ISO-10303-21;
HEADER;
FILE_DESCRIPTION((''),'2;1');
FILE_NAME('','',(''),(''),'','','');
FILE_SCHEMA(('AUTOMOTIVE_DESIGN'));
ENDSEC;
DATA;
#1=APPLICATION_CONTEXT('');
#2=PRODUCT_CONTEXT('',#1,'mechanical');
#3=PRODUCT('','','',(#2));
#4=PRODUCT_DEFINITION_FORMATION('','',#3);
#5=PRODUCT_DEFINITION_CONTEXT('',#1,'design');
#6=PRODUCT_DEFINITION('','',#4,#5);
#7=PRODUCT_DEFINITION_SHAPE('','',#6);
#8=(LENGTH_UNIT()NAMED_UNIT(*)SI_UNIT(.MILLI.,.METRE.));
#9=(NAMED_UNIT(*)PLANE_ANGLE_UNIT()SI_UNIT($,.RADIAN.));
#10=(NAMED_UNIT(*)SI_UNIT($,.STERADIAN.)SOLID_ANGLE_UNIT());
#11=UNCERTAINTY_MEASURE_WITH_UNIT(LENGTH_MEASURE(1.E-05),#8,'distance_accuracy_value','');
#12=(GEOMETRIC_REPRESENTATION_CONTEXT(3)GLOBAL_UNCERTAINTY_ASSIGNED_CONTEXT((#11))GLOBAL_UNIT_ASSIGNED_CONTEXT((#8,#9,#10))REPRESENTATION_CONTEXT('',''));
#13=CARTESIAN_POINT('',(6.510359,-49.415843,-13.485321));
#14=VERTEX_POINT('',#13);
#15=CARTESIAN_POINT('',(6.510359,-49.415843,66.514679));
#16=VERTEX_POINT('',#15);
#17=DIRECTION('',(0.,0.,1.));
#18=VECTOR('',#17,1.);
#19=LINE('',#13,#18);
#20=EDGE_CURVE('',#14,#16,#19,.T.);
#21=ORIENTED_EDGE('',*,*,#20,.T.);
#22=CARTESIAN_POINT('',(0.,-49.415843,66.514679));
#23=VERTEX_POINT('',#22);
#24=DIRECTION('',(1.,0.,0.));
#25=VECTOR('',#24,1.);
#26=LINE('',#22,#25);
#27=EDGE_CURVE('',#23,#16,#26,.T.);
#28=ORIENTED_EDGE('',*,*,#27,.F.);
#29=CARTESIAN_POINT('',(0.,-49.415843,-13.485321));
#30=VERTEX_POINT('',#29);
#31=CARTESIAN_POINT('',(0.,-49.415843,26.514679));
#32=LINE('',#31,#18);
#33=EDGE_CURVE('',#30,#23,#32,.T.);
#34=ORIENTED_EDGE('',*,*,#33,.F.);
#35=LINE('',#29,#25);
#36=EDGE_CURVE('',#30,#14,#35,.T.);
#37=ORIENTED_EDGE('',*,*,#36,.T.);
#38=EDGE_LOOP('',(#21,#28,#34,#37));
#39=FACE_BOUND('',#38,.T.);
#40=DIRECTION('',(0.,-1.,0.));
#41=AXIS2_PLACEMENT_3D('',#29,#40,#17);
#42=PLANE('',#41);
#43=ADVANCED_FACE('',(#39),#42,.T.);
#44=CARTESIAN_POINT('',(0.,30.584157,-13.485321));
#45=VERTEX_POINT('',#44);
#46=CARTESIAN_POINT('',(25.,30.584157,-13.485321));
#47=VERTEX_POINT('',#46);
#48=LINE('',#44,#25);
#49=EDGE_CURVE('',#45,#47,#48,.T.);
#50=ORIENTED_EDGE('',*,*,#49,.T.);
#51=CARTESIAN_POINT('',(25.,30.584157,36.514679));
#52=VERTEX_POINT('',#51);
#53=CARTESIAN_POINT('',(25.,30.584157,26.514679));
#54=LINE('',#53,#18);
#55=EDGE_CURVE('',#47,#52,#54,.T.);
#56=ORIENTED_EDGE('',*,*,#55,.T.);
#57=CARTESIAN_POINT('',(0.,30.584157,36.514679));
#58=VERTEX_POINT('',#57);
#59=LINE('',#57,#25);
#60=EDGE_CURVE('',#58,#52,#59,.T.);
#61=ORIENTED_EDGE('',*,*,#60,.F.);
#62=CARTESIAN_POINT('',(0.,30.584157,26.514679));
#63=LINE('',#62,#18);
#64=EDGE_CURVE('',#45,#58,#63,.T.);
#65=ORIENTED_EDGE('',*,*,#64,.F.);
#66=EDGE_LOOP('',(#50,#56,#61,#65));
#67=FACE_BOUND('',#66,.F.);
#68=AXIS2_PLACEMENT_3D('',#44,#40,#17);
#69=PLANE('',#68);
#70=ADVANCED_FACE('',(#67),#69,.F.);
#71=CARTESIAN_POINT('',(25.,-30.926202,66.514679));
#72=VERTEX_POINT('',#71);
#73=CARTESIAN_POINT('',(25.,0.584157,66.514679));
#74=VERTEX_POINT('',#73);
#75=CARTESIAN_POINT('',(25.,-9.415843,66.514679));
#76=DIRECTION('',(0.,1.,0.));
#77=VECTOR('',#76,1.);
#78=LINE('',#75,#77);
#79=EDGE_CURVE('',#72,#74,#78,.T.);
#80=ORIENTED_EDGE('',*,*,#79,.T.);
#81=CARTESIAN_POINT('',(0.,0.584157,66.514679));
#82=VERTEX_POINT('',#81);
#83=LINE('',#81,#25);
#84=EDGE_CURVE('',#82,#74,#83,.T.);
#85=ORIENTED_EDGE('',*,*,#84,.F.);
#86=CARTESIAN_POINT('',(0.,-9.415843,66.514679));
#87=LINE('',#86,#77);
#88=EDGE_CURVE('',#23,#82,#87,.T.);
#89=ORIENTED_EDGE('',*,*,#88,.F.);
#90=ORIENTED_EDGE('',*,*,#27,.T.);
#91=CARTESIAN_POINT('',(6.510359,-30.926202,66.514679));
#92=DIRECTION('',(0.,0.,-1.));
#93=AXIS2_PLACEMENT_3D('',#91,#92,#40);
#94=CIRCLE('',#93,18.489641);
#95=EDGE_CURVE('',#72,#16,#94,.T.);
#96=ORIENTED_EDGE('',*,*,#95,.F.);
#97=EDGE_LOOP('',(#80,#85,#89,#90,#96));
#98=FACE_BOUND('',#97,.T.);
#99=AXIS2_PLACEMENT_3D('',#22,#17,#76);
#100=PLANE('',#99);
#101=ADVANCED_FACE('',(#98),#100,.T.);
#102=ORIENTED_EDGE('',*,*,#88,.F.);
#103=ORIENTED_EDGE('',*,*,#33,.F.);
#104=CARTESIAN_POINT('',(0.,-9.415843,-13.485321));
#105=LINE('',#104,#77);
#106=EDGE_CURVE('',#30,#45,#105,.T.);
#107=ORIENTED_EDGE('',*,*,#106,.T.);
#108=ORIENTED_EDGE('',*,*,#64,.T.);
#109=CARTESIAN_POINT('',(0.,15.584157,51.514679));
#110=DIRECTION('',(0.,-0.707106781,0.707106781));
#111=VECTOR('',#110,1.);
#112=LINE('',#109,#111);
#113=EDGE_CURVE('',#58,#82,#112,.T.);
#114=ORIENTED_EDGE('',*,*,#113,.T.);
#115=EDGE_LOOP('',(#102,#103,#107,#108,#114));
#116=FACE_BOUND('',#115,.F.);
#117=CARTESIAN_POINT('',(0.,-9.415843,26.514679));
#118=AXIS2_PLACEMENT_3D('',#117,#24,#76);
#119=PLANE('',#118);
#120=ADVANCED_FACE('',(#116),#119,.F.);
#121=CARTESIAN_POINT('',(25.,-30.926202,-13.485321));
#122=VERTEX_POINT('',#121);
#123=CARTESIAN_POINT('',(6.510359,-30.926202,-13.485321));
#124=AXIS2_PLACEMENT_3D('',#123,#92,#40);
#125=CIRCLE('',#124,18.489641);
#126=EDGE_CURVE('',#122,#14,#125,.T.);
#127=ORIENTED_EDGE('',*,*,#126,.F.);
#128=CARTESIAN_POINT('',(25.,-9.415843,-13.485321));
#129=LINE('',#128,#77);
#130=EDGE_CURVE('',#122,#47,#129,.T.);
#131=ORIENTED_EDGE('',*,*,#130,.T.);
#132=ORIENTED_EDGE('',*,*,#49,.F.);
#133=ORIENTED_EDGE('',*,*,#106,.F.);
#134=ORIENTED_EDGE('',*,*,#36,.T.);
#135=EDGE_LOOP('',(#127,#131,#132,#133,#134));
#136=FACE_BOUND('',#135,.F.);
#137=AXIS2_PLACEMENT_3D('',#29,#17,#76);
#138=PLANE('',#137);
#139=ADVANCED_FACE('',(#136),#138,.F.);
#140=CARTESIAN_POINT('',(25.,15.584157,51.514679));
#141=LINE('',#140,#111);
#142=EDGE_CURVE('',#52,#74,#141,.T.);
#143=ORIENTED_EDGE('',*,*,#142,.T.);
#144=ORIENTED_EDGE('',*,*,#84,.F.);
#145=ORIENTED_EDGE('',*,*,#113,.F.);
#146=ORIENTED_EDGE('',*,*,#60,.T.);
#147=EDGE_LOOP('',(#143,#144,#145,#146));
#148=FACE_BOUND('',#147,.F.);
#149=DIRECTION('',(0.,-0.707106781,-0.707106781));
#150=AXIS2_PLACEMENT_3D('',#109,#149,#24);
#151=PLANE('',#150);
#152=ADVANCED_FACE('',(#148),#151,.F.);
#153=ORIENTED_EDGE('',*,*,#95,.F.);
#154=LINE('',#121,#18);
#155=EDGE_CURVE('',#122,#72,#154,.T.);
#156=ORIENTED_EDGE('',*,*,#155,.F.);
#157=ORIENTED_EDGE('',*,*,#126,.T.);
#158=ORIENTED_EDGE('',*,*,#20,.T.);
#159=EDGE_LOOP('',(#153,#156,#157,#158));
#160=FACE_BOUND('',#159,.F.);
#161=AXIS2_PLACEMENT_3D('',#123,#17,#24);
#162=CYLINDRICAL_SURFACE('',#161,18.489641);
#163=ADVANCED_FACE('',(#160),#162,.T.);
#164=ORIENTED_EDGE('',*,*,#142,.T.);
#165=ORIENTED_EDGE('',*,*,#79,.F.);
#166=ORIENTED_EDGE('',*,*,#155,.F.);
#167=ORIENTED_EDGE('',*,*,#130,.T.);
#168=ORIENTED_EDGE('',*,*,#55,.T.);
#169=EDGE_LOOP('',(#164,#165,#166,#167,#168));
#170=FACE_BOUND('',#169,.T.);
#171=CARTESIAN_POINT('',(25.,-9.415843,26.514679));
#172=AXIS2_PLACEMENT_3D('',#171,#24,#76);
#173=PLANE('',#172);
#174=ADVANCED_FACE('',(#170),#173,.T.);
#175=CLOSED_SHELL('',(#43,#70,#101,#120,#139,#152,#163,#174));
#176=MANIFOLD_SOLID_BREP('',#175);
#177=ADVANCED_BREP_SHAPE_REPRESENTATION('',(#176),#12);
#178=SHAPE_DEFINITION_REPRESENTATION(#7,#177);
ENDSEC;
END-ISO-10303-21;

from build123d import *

# Parameters (mm, degrees)
F0_W     = 80
F0_H     = 80
F1_DEPTH = 25
F2_SIZE  = 30
F3_R     = 18.489641


with BuildPart() as f1:
    # F0 (on Right) → F1 (new body)
    with BuildSketch(Plane.YZ):
        with Locations((-9.415843, 26.514679)):
            Rectangle(F0_W, F0_H)
    extrude(amount=F1_DEPTH)

    # F2
    f2_edges = [f1.edges().sort_by_distance(p)[0] for p in [
        (12.5, 30.584157, 66.514679),
    ]]
    chamfer(f2_edges, length=F2_SIZE)

    # F3
    f3_edges = [f1.edges().sort_by_distance(p)[0] for p in [
        (25, -49.415843, 26.514679),
    ]]
    fillet(f3_edges, radius=F3_R)


solid = f1.part
